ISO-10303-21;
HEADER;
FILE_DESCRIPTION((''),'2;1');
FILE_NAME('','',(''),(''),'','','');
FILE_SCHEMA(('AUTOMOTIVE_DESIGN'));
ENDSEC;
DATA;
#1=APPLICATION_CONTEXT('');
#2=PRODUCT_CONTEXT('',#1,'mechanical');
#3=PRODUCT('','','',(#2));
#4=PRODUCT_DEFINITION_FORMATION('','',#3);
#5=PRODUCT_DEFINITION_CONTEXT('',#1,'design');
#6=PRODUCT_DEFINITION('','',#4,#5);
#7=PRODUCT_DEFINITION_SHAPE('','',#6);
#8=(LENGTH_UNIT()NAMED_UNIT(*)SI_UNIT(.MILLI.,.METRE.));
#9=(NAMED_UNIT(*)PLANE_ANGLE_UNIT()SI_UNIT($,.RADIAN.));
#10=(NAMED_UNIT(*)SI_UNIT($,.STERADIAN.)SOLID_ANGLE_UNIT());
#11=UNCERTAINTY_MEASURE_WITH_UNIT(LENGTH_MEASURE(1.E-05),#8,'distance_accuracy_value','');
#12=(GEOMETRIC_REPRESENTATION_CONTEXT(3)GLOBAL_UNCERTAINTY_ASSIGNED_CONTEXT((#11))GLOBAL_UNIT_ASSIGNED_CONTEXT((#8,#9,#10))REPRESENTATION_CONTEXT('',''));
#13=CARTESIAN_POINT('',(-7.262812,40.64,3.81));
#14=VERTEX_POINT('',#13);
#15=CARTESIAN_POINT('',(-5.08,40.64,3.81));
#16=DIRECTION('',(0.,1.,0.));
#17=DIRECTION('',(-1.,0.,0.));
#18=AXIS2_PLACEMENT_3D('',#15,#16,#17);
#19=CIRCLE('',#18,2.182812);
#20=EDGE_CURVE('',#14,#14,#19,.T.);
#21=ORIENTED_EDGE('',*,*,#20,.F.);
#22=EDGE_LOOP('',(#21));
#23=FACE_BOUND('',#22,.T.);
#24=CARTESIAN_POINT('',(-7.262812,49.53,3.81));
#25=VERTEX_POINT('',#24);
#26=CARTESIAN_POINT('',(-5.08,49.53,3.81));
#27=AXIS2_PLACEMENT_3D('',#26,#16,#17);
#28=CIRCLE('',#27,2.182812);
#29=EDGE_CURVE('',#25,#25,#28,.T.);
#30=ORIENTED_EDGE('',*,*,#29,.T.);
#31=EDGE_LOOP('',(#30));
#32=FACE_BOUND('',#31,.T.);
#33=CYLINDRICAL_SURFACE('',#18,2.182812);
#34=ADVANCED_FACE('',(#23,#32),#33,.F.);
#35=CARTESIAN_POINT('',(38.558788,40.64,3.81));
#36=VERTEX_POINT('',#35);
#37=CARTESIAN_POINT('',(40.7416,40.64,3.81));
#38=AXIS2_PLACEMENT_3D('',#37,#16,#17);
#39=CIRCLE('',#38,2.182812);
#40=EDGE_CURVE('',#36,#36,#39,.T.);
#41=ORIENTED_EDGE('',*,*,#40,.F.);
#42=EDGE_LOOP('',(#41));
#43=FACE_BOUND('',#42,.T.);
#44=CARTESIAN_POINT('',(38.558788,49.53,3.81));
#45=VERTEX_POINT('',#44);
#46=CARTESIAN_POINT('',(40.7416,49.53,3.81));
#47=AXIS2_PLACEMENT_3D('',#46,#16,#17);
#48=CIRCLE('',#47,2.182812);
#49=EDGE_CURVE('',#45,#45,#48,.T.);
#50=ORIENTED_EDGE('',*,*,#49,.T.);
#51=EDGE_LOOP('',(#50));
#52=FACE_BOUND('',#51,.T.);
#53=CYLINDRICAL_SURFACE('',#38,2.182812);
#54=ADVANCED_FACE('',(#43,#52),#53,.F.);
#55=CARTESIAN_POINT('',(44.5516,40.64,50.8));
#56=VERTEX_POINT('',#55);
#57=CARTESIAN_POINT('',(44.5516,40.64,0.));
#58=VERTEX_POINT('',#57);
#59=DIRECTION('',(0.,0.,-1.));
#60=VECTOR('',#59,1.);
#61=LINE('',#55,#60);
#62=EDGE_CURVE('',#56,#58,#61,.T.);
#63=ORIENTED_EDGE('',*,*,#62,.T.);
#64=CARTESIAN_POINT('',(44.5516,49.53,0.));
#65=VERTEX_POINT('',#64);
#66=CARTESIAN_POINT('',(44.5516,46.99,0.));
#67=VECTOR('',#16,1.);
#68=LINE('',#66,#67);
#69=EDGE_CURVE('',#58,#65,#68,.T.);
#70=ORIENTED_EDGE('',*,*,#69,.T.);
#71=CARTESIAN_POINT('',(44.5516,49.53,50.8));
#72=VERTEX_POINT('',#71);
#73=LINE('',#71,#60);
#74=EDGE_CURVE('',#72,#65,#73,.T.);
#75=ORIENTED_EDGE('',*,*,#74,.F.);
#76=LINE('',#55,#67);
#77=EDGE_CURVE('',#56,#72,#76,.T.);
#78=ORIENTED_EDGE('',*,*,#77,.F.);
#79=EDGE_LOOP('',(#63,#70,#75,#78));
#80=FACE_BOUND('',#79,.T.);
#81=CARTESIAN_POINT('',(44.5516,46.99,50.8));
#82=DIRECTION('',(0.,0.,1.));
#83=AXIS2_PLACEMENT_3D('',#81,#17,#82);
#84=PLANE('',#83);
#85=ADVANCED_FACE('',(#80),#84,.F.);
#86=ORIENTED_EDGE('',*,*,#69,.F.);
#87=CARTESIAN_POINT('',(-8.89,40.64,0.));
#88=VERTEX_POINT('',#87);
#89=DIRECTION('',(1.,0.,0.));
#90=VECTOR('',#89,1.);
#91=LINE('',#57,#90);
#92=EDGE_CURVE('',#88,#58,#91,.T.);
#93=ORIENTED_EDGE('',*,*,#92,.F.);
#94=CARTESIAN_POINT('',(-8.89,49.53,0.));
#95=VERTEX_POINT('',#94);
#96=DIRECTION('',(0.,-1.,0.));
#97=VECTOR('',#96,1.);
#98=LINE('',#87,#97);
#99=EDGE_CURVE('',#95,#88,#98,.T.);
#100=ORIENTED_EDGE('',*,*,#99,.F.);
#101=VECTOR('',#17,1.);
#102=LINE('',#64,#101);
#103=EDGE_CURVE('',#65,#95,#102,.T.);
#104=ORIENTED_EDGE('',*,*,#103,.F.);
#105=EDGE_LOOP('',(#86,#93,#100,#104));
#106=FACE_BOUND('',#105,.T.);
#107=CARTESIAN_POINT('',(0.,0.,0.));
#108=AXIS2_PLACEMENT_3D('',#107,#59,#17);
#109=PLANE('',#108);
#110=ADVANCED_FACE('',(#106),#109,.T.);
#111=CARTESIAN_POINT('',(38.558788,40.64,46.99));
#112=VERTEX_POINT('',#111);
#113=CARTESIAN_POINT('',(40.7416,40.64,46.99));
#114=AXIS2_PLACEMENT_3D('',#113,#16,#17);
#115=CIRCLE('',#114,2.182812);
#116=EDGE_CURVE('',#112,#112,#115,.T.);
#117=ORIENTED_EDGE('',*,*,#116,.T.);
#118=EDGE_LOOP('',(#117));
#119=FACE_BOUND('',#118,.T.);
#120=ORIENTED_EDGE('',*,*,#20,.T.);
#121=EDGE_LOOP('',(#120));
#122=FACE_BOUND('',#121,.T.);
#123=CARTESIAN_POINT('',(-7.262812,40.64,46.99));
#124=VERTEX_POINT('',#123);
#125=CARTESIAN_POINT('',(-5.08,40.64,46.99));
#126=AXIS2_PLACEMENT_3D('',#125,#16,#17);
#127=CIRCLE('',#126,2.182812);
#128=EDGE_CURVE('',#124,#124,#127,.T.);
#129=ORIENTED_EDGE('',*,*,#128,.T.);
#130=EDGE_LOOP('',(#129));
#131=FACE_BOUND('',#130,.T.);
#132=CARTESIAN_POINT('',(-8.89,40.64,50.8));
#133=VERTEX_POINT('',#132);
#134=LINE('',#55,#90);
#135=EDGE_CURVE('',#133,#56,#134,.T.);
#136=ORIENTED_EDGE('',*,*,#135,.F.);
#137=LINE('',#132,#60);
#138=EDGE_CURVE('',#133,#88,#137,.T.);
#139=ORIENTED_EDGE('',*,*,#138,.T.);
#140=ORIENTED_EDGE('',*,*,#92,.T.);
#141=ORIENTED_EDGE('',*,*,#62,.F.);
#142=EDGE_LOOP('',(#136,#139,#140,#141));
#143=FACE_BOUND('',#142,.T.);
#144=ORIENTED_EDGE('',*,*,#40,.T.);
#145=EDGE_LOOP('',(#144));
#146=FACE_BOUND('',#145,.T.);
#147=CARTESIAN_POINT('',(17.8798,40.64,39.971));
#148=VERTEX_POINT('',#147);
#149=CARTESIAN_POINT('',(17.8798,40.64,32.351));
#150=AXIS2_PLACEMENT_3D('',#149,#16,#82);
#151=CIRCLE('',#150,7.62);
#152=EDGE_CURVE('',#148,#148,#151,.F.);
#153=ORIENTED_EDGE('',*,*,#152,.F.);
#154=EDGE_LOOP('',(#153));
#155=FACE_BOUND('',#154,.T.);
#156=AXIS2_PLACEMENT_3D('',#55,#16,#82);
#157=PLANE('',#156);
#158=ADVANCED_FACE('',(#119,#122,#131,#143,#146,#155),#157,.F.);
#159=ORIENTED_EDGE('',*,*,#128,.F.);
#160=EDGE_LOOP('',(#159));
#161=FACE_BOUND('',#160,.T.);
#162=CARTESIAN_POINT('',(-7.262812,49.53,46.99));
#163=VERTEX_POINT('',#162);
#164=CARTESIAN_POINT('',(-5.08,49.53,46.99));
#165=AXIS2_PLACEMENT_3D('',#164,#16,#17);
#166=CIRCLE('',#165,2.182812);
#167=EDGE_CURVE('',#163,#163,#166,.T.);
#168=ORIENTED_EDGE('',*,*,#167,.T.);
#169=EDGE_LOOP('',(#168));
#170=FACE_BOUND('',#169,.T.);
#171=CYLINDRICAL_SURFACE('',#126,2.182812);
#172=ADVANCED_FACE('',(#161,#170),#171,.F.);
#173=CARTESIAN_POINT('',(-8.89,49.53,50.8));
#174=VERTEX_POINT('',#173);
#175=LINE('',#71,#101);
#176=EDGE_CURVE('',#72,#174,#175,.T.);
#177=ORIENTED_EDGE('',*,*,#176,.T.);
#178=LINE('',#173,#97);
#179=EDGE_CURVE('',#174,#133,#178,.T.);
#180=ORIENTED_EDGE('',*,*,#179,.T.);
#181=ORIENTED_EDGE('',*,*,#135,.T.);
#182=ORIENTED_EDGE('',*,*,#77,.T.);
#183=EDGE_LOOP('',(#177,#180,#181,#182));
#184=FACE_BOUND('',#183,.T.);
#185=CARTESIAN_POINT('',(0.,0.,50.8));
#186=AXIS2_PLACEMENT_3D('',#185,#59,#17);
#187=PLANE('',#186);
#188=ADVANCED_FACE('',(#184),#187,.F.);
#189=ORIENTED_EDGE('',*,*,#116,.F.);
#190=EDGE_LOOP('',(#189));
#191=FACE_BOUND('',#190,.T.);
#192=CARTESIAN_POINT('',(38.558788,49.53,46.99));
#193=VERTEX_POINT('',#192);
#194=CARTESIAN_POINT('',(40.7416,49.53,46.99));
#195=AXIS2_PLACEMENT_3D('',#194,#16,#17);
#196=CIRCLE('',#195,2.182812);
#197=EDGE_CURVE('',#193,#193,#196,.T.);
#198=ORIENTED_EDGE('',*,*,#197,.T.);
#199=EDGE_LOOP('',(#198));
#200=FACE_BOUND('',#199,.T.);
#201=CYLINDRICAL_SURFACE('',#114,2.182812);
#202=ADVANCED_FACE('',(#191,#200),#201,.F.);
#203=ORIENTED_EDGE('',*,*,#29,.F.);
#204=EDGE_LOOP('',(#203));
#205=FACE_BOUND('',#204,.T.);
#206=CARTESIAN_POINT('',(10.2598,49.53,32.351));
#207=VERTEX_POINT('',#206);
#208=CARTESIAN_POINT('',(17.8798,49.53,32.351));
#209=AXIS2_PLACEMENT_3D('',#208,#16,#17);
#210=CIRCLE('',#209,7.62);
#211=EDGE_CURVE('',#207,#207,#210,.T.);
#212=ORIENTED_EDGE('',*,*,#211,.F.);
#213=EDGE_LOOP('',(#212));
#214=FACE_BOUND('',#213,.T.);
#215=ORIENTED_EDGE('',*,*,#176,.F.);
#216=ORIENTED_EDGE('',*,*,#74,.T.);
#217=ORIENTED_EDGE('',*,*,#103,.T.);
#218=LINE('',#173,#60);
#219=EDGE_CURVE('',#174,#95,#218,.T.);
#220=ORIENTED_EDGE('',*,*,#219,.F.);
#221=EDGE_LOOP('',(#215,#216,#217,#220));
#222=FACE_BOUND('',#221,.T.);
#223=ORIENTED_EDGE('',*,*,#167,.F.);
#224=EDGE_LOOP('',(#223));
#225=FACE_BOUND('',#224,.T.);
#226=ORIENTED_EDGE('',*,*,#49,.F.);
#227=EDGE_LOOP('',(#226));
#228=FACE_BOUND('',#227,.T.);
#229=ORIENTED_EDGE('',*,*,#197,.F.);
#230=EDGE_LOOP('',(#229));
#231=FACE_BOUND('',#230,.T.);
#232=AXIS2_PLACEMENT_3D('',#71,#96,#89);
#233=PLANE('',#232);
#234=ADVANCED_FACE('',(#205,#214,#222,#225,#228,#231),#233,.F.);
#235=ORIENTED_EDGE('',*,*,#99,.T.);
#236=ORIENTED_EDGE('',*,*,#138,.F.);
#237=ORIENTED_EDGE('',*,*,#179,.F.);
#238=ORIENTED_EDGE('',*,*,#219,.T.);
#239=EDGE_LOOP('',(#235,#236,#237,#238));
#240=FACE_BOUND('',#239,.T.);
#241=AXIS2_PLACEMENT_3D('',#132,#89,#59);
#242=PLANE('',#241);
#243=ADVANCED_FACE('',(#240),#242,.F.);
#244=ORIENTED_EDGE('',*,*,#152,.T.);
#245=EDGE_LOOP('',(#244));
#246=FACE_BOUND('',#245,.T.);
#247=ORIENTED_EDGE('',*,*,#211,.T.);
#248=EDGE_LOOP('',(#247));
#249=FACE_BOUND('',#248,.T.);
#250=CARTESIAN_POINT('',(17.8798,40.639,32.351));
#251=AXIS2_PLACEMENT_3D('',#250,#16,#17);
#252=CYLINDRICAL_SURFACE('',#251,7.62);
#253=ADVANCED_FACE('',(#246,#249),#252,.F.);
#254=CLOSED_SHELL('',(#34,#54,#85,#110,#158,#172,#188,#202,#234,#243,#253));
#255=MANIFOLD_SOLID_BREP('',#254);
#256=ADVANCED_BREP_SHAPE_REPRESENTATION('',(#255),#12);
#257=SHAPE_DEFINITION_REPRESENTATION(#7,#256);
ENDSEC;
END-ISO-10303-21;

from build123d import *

# Parameters (mm, degrees)
BOSS_EXTRUDE1_DEPTH = 50.8
CUT_EXTRUDE1_REACH  = 70.151
SKETCH2_R           = 7.62
SKETCH3_R           = 2.1828125
CUT_EXTRUDE2_DEPTH  = 69.150694513


with BuildPart() as part:
    # Sketch1 → Boss-Extrude1 (new body)
    with BuildSketch(Plane.XY):
        Polygon((-8.89, 40.64), (-8.89, 46.99), (-8.89, 49.53), (44.5516, 49.53), (44.5516, 46.99), (44.5516, 40.64), align=None)
    extrude(amount=BOSS_EXTRUDE1_DEPTH)

    # Sketch2 → Cut-Extrude1 (cut, up to next)
    with BuildSketch(Plane(origin=(0, 49.53, 0), x_dir=(1, 0, 0), z_dir=(0, 1, 0)), mode=Mode.PRIVATE) as cut_extrude1_sk1:
        with Locations(Location((17.8798, -32.350999872, 0), (0, 0, 180))):
            Circle(SKETCH2_R)
    cut_extrude1_tool1 = extrude(cut_extrude1_sk1.sketch, amount=-CUT_EXTRUDE1_REACH, mode=Mode.PRIVATE) & part.part
    add(cut_extrude1_tool1.solids().sort_by_distance((17.8798, 49.53, 32.351))[0], mode=Mode.SUBTRACT)

    # Sketch3 → Cut-Extrude2 (cut, through all)
    with BuildSketch(Plane(origin=(0, 49.53, 0), x_dir=(1, 0, 0), z_dir=(0, 1, 0))):
        with Locations(Location((40.7416, -46.99, 0), (0, 0, 180))):
            Circle(SKETCH3_R)
        with Locations(Location((-5.08, -46.99, 0), (0, 0, 180))):
            Circle(SKETCH3_R)
        with Locations(Location((-5.08, -3.81, 0), (0, 0, 180))):
            Circle(SKETCH3_R)
        with Locations(Location((40.7416, -3.81, 0), (0, 0, 180))):
            Circle(SKETCH3_R)
    extrude(amount=-CUT_EXTRUDE2_DEPTH, mode=Mode.SUBTRACT)


solid = part.part
